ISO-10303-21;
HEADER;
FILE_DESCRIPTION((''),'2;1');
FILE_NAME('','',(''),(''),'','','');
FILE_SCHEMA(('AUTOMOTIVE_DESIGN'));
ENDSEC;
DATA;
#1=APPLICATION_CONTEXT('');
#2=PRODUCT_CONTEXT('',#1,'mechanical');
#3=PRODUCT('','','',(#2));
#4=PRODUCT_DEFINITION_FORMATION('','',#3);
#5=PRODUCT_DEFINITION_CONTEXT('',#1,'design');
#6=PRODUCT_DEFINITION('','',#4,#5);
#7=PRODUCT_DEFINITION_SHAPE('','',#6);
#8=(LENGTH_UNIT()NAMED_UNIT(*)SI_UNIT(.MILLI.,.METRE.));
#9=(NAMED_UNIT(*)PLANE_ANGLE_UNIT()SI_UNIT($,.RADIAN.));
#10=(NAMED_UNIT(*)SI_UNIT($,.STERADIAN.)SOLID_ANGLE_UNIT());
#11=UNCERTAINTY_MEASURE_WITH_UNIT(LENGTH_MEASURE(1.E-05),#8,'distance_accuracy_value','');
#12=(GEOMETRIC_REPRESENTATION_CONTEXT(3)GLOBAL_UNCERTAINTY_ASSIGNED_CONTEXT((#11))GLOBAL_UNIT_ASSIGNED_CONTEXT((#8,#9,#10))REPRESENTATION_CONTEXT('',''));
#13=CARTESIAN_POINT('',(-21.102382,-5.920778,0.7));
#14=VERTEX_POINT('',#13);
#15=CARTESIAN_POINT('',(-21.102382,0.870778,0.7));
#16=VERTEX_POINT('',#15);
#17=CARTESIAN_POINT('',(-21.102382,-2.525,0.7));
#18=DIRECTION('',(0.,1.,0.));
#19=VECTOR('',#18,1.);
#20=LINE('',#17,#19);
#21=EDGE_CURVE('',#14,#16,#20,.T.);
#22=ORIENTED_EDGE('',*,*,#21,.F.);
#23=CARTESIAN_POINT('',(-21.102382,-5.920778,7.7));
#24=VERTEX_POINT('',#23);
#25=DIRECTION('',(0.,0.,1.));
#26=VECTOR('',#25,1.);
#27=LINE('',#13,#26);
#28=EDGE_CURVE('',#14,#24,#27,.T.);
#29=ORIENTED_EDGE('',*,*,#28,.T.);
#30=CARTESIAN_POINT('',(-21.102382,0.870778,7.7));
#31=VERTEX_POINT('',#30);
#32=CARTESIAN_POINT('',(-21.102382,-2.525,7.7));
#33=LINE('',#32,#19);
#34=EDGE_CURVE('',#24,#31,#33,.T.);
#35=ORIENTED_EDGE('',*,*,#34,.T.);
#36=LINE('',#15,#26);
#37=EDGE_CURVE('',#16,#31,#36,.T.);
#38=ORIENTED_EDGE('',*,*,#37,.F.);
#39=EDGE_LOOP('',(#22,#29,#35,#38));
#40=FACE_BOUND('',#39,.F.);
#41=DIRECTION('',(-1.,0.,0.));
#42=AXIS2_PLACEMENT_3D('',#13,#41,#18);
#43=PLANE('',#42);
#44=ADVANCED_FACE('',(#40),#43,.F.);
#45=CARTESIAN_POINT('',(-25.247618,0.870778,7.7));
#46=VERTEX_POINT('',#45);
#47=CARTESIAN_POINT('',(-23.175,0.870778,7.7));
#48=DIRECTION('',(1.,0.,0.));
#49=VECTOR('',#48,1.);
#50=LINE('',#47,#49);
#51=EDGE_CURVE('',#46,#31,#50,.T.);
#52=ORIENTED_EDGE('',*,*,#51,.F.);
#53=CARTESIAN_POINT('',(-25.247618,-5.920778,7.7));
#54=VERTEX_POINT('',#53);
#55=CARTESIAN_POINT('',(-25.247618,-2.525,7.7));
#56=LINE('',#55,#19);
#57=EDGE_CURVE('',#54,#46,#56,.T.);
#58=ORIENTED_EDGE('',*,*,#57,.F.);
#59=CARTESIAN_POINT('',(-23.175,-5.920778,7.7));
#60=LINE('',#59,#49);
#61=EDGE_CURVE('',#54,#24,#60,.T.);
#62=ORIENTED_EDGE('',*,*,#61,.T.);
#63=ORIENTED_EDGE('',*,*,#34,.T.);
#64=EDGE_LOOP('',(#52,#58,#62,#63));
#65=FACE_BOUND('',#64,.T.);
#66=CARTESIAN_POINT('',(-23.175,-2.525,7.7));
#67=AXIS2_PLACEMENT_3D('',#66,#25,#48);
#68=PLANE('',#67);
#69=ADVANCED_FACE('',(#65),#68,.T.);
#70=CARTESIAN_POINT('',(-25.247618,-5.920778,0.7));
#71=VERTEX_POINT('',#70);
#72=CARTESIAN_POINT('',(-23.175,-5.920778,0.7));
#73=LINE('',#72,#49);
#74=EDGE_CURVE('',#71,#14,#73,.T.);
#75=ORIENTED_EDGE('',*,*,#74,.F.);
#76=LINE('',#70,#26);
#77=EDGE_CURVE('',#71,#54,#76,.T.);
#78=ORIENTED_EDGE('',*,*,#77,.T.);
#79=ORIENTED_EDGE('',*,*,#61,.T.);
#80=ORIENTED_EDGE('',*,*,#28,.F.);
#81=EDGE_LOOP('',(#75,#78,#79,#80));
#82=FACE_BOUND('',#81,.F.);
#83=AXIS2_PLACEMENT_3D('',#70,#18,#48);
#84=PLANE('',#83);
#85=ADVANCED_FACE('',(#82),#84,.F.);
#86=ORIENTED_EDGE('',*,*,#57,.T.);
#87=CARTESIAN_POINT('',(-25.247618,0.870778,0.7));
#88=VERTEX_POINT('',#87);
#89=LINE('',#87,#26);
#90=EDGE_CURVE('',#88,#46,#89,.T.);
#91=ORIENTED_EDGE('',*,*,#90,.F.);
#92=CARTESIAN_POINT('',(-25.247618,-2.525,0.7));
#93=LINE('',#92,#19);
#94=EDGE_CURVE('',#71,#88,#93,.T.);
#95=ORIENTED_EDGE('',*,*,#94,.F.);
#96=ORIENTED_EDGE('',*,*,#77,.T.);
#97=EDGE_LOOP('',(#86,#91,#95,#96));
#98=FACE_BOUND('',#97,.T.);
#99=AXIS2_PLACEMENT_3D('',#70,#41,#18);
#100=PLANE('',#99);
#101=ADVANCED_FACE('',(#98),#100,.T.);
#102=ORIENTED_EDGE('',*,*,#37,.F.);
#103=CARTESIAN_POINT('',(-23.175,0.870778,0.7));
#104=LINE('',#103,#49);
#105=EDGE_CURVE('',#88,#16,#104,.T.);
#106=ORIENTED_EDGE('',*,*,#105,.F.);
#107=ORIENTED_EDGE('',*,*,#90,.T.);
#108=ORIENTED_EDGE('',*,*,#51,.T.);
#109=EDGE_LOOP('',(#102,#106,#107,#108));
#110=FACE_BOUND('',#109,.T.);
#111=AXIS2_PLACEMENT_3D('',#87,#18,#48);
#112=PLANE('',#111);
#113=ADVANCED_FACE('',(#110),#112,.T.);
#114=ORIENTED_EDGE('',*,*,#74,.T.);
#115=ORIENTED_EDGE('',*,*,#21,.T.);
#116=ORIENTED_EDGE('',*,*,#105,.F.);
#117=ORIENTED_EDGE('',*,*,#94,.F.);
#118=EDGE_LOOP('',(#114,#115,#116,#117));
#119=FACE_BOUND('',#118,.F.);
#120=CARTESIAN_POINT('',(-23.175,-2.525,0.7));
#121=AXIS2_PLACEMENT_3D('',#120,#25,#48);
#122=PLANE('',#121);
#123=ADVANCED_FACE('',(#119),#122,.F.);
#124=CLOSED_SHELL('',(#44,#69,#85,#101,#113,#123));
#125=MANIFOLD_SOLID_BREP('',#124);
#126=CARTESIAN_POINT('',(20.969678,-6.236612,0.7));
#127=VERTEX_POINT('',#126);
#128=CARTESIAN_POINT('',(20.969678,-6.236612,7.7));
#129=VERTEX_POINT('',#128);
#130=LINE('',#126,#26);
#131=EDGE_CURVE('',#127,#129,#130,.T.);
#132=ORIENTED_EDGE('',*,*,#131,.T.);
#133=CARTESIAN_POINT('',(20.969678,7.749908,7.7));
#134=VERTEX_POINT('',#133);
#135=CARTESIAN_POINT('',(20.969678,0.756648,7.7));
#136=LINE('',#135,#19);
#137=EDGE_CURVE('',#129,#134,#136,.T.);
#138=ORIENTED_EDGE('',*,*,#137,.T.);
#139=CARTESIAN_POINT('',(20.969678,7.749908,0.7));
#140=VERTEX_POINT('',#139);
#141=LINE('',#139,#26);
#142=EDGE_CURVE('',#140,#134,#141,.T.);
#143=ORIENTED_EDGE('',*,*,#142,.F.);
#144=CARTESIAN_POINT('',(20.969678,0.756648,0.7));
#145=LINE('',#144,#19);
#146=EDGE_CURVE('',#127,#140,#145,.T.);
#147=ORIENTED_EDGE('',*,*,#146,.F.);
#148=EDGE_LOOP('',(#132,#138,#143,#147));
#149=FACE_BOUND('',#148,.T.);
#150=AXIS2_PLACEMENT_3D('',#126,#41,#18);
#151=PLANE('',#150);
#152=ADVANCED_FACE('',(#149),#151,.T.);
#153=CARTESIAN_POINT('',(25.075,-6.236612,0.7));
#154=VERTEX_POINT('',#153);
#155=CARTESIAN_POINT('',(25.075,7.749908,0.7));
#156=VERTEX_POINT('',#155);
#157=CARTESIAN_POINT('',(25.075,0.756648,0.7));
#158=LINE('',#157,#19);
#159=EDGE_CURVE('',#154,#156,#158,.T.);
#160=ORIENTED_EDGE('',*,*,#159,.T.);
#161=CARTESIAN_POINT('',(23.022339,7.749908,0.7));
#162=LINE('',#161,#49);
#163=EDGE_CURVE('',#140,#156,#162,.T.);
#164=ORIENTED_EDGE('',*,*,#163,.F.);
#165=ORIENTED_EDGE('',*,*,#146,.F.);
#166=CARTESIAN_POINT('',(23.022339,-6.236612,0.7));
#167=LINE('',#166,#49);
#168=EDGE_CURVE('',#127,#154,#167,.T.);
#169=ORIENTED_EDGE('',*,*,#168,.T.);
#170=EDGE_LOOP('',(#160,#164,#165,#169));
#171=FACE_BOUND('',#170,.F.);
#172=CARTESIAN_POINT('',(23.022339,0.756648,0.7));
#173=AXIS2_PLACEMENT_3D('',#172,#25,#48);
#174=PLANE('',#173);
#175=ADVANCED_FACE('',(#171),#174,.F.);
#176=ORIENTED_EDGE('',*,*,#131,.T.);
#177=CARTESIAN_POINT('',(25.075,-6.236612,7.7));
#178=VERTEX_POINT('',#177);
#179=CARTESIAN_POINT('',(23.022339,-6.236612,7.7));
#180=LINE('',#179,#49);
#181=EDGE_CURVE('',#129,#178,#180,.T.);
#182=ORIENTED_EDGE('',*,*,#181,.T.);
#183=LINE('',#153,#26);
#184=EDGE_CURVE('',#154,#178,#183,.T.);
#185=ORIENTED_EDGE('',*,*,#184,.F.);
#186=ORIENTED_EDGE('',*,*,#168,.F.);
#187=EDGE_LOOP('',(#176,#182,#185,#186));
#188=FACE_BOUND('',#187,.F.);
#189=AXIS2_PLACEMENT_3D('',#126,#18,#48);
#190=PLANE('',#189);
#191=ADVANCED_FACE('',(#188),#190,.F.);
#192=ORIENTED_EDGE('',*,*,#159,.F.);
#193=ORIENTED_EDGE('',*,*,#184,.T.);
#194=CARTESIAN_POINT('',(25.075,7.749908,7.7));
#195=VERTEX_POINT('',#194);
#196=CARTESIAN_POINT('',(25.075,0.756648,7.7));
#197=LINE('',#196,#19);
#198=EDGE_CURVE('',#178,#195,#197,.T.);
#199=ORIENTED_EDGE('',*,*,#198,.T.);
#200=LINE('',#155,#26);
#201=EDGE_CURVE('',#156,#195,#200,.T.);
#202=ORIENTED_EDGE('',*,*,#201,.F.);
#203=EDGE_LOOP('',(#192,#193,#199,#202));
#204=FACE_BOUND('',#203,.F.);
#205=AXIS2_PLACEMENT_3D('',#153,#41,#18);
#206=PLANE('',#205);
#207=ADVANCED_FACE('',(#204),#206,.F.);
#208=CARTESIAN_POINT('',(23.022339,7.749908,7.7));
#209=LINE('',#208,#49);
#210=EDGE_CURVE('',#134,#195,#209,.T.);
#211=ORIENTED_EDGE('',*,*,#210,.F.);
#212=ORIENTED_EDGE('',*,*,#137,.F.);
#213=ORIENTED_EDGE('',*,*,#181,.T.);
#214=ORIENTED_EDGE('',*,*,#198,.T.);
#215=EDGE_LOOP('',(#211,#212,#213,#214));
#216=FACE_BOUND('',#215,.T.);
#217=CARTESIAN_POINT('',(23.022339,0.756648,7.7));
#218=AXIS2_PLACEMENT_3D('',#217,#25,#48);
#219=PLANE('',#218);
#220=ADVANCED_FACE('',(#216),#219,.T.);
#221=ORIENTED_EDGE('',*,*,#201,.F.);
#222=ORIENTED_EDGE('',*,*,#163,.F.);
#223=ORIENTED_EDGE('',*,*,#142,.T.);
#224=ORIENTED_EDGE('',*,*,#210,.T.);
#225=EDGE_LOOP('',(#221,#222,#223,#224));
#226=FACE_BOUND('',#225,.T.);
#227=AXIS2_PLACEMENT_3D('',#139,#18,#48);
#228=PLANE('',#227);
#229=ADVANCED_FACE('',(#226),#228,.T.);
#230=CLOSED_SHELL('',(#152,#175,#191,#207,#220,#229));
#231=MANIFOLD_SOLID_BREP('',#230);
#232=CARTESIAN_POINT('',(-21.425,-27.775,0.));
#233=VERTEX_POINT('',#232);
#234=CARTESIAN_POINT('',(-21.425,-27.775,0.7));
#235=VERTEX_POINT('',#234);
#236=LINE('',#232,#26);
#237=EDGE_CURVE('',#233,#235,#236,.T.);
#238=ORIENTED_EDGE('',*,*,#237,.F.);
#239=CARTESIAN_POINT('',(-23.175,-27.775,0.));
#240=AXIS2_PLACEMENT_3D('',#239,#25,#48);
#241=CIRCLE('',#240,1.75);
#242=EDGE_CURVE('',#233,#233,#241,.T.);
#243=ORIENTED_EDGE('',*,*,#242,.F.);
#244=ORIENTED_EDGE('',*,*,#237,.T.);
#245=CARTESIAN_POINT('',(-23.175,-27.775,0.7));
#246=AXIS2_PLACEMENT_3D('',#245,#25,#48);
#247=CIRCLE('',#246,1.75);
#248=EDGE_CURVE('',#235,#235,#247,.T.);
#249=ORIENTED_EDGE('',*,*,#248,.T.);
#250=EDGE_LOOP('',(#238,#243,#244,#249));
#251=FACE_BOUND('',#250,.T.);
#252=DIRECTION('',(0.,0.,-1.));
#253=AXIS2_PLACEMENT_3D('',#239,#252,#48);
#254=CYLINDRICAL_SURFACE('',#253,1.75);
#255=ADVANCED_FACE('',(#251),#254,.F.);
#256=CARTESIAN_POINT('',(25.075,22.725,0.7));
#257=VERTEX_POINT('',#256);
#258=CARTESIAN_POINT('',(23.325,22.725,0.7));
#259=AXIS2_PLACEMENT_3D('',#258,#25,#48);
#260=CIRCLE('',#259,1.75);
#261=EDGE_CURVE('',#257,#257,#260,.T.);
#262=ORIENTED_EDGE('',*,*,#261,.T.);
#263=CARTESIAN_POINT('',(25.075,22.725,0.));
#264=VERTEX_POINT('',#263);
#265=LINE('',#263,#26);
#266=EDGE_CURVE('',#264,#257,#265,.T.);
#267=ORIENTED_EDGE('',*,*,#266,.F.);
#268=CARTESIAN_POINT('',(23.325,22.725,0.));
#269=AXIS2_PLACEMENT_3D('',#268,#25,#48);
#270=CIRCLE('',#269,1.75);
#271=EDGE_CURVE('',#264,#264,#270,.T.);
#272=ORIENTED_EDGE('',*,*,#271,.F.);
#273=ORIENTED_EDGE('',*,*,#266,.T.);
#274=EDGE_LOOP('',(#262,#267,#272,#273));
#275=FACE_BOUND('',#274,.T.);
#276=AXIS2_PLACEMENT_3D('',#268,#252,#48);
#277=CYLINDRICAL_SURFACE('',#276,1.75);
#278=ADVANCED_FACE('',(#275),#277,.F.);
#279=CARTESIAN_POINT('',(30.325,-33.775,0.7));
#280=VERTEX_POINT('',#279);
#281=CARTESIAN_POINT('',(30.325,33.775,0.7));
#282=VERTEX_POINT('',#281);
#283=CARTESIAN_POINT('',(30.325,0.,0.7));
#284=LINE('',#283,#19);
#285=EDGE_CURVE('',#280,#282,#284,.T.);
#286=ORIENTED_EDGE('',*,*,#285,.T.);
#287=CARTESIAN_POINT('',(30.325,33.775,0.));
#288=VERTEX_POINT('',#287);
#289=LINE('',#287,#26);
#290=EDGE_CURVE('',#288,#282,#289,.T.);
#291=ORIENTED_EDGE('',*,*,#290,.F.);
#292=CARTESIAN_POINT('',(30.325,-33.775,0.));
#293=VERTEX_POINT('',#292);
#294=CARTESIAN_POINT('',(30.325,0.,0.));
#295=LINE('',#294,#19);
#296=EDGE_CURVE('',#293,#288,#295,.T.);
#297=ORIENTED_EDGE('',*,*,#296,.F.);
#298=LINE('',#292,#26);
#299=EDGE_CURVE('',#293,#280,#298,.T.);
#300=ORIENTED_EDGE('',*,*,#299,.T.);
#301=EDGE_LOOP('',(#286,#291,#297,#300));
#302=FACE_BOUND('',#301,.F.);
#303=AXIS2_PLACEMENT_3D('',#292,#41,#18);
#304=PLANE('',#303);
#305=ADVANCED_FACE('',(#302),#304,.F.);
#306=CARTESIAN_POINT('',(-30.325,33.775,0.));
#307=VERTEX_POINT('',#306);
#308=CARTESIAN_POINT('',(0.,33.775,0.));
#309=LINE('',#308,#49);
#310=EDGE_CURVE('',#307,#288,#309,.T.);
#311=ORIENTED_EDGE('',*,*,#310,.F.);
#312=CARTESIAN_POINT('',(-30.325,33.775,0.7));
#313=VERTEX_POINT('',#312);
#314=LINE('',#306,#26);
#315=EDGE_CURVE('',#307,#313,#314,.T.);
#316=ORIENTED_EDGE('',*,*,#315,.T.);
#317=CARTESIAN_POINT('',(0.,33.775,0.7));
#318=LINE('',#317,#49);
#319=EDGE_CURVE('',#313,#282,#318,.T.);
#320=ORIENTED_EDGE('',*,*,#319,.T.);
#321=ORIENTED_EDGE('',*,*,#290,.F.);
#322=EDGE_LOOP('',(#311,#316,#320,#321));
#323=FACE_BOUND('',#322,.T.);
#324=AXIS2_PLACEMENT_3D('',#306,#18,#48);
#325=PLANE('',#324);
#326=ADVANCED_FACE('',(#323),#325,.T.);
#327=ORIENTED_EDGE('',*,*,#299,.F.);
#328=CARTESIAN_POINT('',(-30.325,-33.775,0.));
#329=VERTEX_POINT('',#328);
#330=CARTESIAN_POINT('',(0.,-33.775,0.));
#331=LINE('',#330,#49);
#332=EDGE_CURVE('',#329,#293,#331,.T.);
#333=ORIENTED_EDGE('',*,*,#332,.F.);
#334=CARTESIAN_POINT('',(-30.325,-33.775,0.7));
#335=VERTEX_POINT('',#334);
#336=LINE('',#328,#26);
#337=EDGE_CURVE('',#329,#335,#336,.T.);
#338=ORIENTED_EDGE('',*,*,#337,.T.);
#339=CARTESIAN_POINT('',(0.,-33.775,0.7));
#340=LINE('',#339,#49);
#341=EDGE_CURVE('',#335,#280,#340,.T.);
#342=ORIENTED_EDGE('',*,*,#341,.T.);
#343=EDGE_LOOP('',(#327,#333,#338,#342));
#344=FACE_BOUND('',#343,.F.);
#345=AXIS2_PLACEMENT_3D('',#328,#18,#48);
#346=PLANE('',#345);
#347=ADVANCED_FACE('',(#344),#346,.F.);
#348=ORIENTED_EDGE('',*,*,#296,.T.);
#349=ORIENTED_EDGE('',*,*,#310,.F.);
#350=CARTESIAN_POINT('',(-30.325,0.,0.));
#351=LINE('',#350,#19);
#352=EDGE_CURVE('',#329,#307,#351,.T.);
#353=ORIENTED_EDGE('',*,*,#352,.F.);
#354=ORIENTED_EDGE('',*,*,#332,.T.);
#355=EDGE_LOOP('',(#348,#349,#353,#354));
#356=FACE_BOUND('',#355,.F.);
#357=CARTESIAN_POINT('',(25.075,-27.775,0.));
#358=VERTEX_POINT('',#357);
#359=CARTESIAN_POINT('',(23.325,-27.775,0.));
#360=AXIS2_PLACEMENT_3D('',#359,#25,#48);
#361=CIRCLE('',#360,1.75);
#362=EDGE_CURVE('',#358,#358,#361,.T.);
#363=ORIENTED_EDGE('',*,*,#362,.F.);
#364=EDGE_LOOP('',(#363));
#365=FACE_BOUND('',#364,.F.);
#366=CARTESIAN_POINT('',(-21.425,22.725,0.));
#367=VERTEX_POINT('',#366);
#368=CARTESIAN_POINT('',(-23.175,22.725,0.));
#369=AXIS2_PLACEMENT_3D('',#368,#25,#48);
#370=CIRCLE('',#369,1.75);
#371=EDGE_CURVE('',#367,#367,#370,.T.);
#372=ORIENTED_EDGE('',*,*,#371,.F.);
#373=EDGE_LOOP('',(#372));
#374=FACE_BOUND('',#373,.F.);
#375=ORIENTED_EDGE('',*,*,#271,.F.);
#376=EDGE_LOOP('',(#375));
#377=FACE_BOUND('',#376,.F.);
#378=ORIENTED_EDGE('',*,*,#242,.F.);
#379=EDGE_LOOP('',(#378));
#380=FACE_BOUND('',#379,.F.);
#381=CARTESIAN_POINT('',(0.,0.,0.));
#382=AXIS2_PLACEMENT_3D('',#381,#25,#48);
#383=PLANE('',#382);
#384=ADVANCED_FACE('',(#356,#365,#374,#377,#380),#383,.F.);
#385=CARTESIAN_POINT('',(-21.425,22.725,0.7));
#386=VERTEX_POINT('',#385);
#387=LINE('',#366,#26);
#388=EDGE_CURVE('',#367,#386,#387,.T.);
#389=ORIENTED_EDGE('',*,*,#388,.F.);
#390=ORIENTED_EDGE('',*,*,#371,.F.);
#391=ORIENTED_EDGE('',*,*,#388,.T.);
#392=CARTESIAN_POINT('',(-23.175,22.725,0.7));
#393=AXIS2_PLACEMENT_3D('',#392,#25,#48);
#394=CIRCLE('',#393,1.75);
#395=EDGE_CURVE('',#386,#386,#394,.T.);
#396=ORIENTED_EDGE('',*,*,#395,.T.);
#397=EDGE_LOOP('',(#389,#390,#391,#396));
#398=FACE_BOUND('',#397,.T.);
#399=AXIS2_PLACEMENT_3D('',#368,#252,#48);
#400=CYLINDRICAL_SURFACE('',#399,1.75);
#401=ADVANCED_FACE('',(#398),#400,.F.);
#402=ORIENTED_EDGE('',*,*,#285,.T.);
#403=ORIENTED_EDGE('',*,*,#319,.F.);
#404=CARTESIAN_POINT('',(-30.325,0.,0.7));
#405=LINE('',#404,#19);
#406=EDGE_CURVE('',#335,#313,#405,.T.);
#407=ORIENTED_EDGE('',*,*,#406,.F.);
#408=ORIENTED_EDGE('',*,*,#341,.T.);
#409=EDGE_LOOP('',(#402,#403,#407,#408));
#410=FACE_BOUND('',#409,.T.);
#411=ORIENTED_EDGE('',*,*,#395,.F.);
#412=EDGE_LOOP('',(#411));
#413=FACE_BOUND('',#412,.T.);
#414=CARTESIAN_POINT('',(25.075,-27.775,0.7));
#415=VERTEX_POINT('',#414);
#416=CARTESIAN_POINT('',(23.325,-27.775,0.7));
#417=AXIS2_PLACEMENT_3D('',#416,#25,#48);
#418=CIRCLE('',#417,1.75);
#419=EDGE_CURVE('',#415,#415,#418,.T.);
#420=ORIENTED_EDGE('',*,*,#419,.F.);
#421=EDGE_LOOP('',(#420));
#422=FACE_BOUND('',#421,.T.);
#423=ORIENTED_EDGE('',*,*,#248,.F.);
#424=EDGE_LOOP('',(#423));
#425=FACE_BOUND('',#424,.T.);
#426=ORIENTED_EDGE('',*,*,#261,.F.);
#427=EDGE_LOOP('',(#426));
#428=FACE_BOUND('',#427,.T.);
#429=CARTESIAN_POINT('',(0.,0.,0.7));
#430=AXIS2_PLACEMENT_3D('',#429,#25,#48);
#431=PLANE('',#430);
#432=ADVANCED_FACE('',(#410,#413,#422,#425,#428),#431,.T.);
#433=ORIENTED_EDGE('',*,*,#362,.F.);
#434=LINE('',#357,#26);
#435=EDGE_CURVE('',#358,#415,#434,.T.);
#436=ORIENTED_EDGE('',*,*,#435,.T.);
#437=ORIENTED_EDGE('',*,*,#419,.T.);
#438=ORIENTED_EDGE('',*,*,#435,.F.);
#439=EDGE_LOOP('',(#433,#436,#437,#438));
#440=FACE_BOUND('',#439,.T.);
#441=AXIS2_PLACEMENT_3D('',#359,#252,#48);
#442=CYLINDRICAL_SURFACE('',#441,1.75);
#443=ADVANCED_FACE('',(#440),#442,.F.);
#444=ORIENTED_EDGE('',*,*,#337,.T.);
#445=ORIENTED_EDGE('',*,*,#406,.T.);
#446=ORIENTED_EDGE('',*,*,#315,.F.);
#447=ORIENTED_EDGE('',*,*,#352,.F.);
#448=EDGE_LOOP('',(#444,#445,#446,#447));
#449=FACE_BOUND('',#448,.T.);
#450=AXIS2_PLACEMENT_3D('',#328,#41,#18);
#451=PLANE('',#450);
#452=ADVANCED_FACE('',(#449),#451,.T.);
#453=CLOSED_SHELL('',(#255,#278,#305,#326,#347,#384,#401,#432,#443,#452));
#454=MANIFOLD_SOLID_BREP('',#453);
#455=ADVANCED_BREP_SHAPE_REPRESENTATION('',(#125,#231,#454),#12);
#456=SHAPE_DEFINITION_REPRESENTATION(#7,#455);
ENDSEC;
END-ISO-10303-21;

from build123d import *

# Parameters (mm, degrees)
F0_W     = 60.65
F0_H     = 67.55
F0_R     = 1.75
F1_DEPTH = 0.7
F2_W     = 4.145236
F2_H     = 6.791556
F2_W_2   = 4.105322
F2_H_2   = 13.98652
F3_DEPTH = 7


with BuildPart() as f1:
    # F0 (on Top) → F1 (new body)
    with BuildSketch(Plane.XY):
        Rectangle(F0_W, F0_H)
        with Locations((-23.175, -27.775)):
            Circle(F0_R, mode=Mode.SUBTRACT)
        with Locations((23.325, -27.775)):
            Circle(F0_R, mode=Mode.SUBTRACT)
        with Locations((-23.175, 22.725)):
            Circle(F0_R, mode=Mode.SUBTRACT)
        with Locations((23.325, 22.725)):
            Circle(F0_R, mode=Mode.SUBTRACT)
    extrude(amount=F1_DEPTH)


with BuildPart() as f3:
    # F2 (on face) → F3 (new body)
    with BuildSketch(Plane.XY.offset(0.7)):
        with Locations((-23.175, -2.525)):
            Rectangle(F2_W, F2_H)
        with Locations((23.022339, 0.756648)):
            Rectangle(F2_W_2, F2_H_2)
    extrude(amount=F3_DEPTH)


solid = Compound([f1.part, f3.part])
